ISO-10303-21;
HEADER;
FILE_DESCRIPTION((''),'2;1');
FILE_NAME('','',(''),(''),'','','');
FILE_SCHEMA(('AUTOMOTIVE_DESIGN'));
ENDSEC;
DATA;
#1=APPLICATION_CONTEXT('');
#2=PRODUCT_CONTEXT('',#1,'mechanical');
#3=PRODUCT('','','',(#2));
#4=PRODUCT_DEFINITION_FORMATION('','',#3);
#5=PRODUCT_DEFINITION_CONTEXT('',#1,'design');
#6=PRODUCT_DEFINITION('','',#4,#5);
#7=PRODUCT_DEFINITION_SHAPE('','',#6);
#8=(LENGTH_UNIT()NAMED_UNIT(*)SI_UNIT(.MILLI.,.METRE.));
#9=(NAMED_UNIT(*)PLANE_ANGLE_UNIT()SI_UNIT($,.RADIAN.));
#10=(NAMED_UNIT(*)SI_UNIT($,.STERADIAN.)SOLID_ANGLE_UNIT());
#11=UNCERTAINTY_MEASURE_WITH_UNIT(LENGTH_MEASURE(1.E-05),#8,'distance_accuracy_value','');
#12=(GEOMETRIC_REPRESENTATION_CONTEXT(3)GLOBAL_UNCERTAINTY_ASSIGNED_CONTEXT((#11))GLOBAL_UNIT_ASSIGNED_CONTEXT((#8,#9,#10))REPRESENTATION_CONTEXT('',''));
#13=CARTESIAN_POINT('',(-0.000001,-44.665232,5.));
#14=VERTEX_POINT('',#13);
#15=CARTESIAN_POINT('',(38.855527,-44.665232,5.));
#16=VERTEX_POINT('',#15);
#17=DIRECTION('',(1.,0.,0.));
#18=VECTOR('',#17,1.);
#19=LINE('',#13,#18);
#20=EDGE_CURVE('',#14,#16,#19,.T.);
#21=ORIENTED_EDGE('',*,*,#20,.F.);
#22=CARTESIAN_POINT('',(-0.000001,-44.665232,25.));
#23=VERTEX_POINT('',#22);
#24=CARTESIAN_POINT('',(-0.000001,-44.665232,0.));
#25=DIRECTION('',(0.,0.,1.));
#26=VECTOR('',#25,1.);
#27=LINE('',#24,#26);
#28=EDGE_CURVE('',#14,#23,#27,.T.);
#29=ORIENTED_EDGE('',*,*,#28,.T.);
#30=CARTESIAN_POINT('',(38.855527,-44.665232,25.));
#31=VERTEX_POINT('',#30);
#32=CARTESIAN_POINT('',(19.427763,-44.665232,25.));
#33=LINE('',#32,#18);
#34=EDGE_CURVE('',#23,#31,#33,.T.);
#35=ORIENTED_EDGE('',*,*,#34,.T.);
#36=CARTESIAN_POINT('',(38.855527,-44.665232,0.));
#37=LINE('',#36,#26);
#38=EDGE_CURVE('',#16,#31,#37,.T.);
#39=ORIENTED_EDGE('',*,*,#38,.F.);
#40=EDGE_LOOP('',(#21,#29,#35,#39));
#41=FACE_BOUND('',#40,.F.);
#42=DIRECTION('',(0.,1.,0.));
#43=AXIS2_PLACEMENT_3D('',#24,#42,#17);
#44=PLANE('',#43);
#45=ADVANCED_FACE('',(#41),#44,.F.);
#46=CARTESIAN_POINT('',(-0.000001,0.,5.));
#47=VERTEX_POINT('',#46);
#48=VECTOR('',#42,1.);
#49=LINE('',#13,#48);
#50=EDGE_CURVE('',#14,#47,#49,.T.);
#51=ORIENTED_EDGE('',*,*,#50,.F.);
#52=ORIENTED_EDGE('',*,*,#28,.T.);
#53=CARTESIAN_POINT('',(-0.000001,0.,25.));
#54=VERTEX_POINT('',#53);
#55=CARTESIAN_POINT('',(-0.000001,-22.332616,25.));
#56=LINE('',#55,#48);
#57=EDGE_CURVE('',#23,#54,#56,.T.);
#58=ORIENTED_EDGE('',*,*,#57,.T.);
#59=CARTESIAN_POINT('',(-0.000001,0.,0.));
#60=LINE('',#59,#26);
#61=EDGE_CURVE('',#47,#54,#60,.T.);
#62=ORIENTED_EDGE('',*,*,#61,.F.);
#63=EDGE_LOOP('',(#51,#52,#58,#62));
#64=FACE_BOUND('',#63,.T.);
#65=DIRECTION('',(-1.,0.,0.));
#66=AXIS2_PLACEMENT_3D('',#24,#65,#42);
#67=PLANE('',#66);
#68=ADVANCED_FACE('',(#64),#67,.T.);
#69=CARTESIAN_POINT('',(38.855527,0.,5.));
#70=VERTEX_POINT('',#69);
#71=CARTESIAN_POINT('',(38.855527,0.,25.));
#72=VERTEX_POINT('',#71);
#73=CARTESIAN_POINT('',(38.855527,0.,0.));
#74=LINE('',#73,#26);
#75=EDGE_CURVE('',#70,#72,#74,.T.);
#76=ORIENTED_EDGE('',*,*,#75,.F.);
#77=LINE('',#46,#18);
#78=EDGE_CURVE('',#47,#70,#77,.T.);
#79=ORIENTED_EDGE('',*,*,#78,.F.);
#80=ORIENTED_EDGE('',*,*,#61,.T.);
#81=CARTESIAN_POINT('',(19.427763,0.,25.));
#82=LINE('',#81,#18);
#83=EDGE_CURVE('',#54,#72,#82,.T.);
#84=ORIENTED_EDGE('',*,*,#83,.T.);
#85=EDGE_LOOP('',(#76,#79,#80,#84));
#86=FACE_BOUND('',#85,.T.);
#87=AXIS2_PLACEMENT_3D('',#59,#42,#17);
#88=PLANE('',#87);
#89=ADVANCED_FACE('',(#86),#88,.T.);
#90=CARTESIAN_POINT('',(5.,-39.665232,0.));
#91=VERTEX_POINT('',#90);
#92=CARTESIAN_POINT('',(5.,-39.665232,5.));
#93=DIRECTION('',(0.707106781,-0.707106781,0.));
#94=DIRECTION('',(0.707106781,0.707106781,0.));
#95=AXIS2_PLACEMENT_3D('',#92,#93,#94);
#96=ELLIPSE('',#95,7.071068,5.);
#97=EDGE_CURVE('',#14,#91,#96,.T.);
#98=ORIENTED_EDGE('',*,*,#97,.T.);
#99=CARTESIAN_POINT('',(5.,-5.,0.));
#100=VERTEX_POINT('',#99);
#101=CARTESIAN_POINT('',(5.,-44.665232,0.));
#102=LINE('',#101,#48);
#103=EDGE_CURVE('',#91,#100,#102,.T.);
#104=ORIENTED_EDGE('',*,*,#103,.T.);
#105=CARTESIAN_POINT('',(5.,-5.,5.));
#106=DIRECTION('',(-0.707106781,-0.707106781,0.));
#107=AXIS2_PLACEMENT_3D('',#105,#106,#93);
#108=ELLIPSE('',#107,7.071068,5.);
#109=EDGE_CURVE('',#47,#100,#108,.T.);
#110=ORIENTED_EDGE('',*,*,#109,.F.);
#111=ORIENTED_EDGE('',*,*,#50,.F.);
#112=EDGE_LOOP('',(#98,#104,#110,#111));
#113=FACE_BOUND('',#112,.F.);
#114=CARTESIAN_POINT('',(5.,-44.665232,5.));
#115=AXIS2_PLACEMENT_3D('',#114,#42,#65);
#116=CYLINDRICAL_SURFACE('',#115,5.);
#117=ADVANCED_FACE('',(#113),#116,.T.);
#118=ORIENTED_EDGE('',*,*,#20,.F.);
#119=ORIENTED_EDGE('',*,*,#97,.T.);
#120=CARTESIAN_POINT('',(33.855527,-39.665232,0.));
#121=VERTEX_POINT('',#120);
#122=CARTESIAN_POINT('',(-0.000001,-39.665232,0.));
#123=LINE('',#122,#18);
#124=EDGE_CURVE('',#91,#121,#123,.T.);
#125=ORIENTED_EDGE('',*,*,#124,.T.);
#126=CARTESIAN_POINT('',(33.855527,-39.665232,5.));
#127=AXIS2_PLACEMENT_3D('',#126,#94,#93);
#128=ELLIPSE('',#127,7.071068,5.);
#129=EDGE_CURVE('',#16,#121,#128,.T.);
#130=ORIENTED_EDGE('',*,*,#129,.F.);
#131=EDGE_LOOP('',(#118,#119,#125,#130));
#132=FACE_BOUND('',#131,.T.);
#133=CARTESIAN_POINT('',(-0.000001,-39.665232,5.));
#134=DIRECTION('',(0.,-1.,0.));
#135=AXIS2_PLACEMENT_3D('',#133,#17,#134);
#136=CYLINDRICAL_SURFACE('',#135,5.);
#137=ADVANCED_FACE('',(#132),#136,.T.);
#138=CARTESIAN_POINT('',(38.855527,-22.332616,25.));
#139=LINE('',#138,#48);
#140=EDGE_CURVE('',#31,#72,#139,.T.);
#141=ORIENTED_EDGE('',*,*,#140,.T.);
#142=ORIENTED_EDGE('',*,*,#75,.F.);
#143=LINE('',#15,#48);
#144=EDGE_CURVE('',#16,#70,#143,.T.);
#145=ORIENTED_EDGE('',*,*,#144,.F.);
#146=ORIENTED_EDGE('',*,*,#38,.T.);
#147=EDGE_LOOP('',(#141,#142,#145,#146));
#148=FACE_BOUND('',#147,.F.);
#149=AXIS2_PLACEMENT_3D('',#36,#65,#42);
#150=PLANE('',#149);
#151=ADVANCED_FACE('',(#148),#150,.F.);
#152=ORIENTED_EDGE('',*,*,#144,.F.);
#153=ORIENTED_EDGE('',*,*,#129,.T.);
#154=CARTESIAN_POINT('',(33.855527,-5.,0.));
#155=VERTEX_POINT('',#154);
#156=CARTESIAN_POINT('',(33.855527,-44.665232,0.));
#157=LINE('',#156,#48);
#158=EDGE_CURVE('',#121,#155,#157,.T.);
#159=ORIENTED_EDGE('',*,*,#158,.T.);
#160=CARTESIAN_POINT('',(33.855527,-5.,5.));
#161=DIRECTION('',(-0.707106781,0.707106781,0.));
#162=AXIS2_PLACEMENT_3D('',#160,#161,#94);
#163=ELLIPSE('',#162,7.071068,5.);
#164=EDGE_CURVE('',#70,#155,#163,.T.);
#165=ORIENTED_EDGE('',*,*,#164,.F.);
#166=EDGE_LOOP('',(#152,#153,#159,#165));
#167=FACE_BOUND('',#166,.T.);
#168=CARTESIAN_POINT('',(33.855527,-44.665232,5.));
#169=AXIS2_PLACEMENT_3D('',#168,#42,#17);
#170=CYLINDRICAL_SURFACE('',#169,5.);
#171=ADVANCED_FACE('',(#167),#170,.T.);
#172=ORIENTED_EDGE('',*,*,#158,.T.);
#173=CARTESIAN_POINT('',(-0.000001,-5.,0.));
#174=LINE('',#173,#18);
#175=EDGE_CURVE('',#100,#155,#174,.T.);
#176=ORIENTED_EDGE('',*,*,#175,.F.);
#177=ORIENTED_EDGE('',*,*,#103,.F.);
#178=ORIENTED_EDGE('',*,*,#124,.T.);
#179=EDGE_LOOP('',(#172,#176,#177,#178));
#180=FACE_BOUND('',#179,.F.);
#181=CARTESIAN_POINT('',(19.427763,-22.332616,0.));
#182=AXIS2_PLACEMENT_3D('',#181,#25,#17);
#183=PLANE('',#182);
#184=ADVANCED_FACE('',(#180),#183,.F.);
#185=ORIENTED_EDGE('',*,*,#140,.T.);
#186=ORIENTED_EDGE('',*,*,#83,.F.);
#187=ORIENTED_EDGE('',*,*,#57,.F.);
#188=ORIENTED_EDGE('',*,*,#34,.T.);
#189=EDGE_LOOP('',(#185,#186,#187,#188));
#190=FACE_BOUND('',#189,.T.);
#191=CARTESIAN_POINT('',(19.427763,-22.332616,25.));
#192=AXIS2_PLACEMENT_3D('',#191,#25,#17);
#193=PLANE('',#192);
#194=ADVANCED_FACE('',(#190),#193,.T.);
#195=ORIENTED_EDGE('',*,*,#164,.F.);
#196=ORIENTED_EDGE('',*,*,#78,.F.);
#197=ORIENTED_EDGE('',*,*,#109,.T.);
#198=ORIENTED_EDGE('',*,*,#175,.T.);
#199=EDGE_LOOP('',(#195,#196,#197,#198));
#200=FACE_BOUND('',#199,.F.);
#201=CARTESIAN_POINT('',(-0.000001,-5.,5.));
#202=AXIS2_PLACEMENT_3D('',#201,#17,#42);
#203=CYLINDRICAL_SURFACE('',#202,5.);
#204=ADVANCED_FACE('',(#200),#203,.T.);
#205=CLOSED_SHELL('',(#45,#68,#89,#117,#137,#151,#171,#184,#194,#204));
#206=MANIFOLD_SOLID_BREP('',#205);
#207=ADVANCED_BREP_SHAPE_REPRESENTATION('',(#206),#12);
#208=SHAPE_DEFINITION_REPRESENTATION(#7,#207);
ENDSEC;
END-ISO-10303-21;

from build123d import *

# Parameters (mm, degrees)
F0_W     = 38.855527
F0_H     = 44.665232
F1_DEPTH = 25
F2_R     = 5


with BuildPart() as f1:
    # F0 (on Top) → F1 (new body)
    with BuildSketch(Plane.XY):
        with Locations((19.427763, -22.332616)):
            Rectangle(F0_W, F0_H)
    extrude(amount=F1_DEPTH)

    # F2
    f2_edges = [f1.edges().sort_by_distance(p)[0] for p in [
        (19.427763, -44.665232, 0),
        (38.855527, -22.332616, 0),
        (19.427763, 0, 0),
        (0, -22.332616, 0),
    ]]
    fillet(f2_edges, radius=F2_R)


solid = f1.part
